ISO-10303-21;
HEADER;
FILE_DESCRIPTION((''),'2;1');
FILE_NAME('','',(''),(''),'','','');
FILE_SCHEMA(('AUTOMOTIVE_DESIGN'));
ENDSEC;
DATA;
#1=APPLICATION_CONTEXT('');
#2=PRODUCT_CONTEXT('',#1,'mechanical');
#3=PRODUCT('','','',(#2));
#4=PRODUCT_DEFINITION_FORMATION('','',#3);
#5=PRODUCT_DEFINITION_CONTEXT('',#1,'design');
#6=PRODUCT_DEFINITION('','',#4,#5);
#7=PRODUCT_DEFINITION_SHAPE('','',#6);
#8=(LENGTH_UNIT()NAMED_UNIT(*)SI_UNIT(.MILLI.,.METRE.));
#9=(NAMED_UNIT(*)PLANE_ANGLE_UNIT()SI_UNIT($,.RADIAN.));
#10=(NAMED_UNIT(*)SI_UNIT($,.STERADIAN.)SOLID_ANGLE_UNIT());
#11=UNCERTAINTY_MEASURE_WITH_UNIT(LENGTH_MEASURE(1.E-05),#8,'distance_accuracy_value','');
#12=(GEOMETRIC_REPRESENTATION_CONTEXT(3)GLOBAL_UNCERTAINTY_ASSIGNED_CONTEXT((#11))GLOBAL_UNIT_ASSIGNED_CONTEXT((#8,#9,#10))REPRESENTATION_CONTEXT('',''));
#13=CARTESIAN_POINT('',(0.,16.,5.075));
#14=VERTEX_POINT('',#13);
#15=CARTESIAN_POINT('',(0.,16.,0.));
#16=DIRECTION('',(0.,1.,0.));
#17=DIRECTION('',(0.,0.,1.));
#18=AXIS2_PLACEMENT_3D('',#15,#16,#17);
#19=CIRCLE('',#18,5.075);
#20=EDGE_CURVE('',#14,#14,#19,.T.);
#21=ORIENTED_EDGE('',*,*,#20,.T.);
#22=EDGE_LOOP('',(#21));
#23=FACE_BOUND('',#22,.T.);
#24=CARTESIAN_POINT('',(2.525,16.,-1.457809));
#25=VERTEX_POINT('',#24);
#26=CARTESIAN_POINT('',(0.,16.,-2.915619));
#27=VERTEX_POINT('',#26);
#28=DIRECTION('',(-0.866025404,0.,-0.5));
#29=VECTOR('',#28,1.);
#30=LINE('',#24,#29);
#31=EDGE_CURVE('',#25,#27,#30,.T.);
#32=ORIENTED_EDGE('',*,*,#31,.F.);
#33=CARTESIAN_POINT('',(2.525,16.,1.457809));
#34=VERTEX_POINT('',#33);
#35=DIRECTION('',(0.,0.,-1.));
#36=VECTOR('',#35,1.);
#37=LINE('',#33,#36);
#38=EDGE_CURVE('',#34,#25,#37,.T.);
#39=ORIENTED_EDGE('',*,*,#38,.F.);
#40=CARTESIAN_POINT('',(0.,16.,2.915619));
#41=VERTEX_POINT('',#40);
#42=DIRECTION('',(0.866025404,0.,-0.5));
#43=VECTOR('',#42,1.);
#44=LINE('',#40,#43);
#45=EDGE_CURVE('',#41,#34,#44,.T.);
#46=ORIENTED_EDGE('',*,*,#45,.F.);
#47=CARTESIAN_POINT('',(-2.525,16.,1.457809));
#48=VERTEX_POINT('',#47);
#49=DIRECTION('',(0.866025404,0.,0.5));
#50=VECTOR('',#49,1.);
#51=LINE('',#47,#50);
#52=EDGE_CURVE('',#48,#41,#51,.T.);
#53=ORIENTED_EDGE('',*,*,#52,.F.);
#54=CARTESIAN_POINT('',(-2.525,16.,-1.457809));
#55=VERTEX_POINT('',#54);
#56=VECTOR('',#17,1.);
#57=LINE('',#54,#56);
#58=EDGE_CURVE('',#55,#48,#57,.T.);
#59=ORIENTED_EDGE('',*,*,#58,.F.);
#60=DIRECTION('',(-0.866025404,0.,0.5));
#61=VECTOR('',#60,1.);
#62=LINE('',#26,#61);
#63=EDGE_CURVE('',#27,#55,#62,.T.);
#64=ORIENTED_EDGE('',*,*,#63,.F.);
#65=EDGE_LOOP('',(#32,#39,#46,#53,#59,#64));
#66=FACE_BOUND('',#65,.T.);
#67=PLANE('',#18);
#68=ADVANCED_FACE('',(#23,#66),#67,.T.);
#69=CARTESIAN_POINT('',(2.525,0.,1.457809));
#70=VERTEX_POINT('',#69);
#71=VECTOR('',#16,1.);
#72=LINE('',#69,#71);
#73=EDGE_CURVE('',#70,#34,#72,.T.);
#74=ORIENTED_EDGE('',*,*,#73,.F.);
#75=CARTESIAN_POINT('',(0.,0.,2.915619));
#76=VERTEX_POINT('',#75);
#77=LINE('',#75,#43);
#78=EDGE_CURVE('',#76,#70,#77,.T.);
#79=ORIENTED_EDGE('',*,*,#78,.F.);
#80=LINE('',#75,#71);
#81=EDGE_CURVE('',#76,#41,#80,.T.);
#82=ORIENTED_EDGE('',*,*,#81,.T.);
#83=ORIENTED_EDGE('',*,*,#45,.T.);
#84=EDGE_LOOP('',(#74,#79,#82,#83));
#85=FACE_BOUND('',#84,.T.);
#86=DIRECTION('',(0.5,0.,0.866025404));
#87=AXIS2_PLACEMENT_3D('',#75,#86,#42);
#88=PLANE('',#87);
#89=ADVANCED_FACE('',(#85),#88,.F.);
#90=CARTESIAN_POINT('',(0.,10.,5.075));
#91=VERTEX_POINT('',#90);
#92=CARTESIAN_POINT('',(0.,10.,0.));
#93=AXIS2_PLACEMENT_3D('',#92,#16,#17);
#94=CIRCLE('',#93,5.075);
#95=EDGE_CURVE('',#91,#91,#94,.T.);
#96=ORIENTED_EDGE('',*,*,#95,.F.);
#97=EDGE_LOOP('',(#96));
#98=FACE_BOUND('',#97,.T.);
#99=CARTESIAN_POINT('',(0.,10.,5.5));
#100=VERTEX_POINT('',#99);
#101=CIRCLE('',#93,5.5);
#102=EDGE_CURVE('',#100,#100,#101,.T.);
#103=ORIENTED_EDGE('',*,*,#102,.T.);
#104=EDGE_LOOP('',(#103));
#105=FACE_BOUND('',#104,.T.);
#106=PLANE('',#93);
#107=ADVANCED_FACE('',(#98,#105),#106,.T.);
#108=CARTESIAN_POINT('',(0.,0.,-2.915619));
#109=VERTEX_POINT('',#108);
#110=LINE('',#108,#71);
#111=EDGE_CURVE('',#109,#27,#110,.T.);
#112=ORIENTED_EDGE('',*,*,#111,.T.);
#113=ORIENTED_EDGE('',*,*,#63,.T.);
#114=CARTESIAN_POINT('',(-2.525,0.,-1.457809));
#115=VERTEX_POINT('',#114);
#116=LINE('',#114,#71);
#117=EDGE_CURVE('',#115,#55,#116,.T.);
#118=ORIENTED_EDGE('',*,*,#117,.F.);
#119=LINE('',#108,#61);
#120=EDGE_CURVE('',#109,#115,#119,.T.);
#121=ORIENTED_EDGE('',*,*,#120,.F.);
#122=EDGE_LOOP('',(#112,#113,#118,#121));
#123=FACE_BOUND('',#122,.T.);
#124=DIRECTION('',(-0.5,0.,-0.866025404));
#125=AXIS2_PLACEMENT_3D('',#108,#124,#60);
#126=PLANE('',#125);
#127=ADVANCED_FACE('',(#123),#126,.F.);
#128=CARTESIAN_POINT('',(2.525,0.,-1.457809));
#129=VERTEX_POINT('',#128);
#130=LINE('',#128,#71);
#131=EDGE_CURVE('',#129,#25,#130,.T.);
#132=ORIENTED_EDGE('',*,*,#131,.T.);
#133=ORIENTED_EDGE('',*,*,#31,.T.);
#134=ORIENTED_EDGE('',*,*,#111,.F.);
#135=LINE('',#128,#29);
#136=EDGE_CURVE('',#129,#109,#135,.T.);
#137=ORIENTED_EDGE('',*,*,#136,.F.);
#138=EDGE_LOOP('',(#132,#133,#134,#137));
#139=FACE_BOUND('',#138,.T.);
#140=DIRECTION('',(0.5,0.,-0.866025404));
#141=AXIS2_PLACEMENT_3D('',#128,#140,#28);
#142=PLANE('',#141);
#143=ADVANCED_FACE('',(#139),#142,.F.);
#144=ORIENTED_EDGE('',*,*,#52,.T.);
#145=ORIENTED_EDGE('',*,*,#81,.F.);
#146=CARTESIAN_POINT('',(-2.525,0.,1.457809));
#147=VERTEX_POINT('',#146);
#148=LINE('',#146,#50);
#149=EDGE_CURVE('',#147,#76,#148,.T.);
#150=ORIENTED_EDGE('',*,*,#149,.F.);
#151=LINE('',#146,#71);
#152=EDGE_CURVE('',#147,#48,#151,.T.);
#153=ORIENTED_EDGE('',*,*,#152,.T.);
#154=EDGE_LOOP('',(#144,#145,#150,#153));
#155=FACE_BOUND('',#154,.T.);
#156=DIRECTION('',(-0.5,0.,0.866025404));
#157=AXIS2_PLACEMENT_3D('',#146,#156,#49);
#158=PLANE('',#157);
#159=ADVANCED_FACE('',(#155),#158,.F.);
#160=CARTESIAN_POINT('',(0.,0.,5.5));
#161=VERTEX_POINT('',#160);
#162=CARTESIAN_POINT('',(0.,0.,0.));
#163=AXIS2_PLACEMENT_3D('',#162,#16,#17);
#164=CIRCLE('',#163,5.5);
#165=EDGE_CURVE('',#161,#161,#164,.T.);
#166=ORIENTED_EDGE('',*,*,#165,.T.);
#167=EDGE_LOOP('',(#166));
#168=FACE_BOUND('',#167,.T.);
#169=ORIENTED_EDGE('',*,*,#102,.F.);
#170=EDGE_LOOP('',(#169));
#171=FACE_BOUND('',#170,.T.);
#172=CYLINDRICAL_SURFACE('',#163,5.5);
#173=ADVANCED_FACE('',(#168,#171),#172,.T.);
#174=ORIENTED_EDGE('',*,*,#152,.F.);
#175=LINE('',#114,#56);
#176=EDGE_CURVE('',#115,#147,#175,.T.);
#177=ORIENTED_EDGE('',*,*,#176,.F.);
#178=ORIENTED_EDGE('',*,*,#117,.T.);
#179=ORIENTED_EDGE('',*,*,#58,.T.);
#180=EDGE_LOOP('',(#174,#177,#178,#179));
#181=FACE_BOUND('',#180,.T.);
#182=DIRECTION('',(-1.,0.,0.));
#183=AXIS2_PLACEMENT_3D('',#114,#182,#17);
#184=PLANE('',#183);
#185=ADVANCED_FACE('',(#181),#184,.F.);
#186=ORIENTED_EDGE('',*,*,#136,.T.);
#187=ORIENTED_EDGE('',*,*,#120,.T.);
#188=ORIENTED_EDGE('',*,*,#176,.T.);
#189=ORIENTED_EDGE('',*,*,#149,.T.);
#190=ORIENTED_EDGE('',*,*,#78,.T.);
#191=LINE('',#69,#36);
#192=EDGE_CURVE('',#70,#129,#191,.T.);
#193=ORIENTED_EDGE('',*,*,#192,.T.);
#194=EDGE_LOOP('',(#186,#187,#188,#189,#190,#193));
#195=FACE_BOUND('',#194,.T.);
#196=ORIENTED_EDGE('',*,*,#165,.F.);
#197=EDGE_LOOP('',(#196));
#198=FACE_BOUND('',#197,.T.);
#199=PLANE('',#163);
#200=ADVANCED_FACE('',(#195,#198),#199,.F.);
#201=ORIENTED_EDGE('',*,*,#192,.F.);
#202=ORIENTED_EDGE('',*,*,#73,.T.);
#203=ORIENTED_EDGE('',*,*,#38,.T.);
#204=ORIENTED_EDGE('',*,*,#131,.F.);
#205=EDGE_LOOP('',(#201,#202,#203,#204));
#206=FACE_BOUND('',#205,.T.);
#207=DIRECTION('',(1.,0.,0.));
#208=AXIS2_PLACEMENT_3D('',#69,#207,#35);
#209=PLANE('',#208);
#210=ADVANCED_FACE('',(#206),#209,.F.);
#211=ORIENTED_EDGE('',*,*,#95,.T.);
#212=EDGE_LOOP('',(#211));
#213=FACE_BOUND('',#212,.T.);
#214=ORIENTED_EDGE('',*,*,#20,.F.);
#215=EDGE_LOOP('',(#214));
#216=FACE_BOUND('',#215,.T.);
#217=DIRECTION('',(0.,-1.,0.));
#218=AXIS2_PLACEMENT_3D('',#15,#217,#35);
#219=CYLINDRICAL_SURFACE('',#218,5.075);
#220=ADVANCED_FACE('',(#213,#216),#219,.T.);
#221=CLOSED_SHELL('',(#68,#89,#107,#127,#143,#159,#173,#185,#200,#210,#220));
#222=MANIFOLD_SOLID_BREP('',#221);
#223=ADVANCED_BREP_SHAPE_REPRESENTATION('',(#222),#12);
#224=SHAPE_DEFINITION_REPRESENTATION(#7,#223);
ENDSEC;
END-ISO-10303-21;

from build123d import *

# Parameters (mm, degrees)
SKETCH1_R           = 7
BOSS_EXTRUDE1_DEPTH = 10
SKETCH2_R           = 5.075
BOSS_EXTRUDE2_DEPTH = 6
CUT_EXTRUDE2_DEPTH  = 19.814887722
SKETCH5_OUTSIDE_W   = 21.092
SKETCH5_OUTSIDE_H   = 21.092
SKETCH5_OUTSIDE_R   = 5.5
CUT_EXTRUDE3_DEPTH  = 15.071247279


with BuildPart() as part:
    # Sketch1 → Boss-Extrude1 (new body)
    with BuildSketch(Plane(origin=(0, 0, 0), x_dir=(1, 0, 0), z_dir=(0, 1, 0))):
        with Locations(Location((0, 0, 0), (0, 0, 270))):
            Circle(SKETCH1_R)
    extrude(amount=BOSS_EXTRUDE1_DEPTH)

    # Sketch2 → Boss-Extrude2 (add)
    with BuildSketch(Plane(origin=(0, 10, 0), x_dir=(1, 0, 0), z_dir=(0, 1, 0))):
        with Locations(Location((0, 0, 0), (0, 0, 270))):
            Circle(SKETCH2_R)
    extrude(amount=BOSS_EXTRUDE2_DEPTH)

    # Sketch4 → Cut-Extrude2 (cut, through all)
    with BuildSketch(Plane(origin=(0, 16, 0), x_dir=(1, 0, 0), z_dir=(0, 1, 0))):
        Polygon((2.525, 1.45780943), (0, 2.915618859), (-2.525, 1.45780943), (-2.525, -1.45780943), (0, -2.915618859), (2.525, -1.45780943), align=None)
    extrude(amount=-CUT_EXTRUDE2_DEPTH, mode=Mode.SUBTRACT)

    # Sketch5 outside → Cut-Extrude3 (cut, through all)
    with BuildSketch(Plane(origin=(0, 10, 0), x_dir=(1, 0, 0), z_dir=(0, 1, 0))):
        Rectangle(SKETCH5_OUTSIDE_W, SKETCH5_OUTSIDE_H)
        with Locations(Location((0, 0, 0), (0, 0, 270))):
            Circle(SKETCH5_OUTSIDE_R, mode=Mode.SUBTRACT)
    extrude(amount=-CUT_EXTRUDE3_DEPTH, mode=Mode.SUBTRACT)


solid = part.part
